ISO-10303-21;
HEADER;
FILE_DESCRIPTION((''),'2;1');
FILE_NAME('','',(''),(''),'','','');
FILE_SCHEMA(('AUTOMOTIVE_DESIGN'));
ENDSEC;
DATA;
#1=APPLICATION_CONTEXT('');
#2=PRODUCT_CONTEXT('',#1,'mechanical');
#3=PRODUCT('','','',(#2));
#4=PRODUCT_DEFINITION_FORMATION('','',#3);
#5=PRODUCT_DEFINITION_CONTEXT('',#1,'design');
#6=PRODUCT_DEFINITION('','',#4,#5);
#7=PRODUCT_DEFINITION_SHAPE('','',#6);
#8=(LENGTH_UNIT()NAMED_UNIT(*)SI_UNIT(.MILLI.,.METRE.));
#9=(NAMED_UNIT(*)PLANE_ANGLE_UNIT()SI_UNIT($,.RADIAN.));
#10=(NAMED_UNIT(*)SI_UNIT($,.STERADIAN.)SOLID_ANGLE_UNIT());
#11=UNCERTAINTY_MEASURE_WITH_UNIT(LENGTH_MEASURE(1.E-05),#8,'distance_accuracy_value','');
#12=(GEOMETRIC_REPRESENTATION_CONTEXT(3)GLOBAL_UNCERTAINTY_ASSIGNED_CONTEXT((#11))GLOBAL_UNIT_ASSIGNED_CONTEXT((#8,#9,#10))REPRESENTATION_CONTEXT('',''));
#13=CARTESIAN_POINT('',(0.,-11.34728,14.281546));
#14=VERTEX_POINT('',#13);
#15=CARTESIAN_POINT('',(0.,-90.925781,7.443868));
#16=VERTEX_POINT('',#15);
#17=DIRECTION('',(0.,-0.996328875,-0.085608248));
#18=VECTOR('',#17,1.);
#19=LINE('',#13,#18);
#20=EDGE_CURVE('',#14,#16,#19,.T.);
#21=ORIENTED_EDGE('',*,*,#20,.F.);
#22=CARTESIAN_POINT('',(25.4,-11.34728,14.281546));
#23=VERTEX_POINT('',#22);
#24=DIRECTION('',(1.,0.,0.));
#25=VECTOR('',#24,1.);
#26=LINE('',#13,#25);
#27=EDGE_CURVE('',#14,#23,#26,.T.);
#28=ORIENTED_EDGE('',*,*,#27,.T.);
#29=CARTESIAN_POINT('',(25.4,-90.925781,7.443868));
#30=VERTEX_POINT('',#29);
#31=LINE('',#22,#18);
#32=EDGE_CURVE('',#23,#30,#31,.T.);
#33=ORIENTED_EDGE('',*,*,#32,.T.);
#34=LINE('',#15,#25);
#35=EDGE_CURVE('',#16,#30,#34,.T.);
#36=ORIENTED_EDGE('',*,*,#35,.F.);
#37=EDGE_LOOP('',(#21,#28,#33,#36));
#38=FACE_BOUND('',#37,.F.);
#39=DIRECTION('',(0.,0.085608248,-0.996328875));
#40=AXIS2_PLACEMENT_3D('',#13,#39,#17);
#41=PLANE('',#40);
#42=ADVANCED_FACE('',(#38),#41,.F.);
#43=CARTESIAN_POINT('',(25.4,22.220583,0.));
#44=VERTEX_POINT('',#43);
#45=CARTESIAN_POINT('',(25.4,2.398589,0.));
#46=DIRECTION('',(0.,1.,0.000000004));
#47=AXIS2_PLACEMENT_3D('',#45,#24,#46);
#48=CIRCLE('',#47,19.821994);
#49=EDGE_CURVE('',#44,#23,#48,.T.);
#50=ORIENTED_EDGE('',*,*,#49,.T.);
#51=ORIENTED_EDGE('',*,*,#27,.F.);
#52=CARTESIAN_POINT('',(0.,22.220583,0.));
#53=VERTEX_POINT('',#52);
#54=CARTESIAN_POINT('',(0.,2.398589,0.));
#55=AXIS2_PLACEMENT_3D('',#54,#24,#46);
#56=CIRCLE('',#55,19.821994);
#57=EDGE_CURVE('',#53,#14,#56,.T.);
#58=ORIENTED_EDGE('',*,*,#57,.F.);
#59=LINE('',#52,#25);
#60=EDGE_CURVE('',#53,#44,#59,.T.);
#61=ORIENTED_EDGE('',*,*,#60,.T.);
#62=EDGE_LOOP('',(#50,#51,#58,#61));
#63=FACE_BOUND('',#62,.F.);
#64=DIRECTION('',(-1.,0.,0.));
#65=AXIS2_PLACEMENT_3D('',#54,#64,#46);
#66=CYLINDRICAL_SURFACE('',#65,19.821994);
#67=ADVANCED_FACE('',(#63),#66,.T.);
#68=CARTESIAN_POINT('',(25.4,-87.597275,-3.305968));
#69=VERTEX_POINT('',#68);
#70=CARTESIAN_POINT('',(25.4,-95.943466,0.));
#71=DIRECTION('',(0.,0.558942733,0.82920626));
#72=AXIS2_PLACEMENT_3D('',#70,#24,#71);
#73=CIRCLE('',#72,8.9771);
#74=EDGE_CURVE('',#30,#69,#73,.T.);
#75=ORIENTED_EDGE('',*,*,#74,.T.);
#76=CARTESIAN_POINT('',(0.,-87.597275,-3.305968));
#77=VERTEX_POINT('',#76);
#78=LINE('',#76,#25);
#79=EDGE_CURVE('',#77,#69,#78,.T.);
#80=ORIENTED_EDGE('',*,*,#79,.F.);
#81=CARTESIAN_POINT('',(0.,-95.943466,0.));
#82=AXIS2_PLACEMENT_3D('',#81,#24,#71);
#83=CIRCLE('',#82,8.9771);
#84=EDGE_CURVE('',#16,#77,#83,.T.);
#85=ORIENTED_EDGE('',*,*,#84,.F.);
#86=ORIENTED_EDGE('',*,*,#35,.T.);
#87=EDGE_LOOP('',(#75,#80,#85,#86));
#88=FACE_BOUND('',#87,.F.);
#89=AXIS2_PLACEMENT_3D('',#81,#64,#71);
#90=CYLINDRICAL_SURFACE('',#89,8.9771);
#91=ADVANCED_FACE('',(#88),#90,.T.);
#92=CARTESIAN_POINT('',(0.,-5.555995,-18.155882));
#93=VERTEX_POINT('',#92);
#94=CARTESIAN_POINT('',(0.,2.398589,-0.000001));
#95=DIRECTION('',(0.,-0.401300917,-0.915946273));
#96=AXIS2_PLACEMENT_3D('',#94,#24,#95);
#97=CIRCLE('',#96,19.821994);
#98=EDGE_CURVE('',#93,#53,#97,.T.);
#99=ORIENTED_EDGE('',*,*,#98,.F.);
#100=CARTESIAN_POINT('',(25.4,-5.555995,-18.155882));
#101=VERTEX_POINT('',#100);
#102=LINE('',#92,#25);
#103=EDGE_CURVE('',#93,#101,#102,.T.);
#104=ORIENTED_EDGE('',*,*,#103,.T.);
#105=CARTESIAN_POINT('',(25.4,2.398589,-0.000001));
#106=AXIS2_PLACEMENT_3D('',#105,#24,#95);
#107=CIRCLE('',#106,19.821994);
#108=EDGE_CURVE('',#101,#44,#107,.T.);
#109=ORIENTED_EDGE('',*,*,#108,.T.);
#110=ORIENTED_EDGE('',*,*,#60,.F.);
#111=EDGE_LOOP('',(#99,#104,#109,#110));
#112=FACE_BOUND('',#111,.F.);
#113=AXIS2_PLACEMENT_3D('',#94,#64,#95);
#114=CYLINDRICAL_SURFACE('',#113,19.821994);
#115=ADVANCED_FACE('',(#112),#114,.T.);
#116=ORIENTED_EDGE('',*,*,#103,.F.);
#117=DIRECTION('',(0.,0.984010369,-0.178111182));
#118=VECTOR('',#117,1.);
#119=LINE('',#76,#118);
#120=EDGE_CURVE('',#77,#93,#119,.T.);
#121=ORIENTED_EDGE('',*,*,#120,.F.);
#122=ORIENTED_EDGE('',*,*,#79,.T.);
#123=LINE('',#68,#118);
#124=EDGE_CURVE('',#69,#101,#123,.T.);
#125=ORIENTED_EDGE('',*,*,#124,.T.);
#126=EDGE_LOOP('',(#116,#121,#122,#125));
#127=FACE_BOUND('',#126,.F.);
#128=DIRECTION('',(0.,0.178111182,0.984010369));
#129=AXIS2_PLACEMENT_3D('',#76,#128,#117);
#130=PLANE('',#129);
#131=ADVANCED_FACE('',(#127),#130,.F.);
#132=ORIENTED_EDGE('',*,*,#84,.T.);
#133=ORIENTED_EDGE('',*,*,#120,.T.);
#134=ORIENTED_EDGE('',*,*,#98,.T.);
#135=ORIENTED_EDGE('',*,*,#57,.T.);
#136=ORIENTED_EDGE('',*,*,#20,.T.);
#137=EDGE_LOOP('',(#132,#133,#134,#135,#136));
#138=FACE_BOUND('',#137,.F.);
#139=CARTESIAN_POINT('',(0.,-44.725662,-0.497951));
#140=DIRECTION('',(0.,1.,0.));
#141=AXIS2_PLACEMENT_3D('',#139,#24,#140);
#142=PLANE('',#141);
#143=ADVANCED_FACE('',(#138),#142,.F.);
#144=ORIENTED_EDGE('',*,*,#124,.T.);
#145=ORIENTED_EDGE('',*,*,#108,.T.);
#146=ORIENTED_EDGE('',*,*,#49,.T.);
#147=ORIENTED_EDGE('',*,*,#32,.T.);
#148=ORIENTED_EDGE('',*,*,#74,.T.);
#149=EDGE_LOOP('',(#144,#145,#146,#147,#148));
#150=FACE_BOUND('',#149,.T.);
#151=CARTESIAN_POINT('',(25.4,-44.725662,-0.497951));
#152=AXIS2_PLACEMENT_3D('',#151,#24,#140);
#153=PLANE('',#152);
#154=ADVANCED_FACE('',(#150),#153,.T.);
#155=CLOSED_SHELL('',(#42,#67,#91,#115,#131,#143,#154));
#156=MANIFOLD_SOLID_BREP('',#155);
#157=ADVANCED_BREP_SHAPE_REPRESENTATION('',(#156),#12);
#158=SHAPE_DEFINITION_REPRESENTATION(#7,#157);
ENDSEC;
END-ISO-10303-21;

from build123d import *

# Parameters (mm, degrees)
F2_DEPTH = 25.4
F3_DEPTH = 25.4


with BuildPart() as f2:
    # F0 (on Right) → F2 (new body)
    with BuildSketch(Plane.YZ):
        with BuildLine():
            ThreePointArc((-5.555995, -18.155882), (-17.114845, -3.483872), (-11.34728, 14.281546))
            Line((-11.34728, 14.281546), (-90.925781, 7.443868))
            ThreePointArc((-90.925781, 7.443868), (-88.017793, 4.215689), (-86.966366, 0))
            ThreePointArc((-86.966366, 0), (-87.125503, -1.682815), (-87.597275, -3.305968))
            Line((-87.597275, -3.305968), (-5.555995, -18.155882))
        make_face()
        with BuildLine():
            ThreePointArc((-86.966366, 0), (-88.017793, 4.215689), (-90.925781, 7.443868))
            ThreePointArc((-90.925781, 7.443868), (-104.518898, -2.655239), (-87.597275, -3.305968))
            ThreePointArc((-87.597275, -3.305968), (-87.125503, -1.682815), (-86.966366, 0))
        make_face()
        with BuildLine():
            ThreePointArc((-5.555995, -18.155882), (13.243766, -16.591974), (22.220583, 0))
            ThreePointArc((22.220583, 0), (10.158773, 18.239819), (-11.34728, 14.281546))
            ThreePointArc((-11.34728, 14.281546), (-17.114845, -3.483872), (-5.555995, -18.155882))
        make_face()
    extrude(amount=F2_DEPTH)

    # F0 (on Right) → F3 (join)
    with BuildSketch(Plane.YZ):
        with BuildLine():
            ThreePointArc((-5.555995, -18.155882), (13.243766, -16.591974), (22.220583, 0))
            ThreePointArc((22.220583, 0), (10.158773, 18.239819), (-11.34728, 14.281546))
            ThreePointArc((-11.34728, 14.281546), (-17.114845, -3.483872), (-5.555995, -18.155882))
        make_face()
        with BuildLine():
            ThreePointArc((-5.555995, -18.155882), (-17.114845, -3.483872), (-11.34728, 14.281546))
            Line((-11.34728, 14.281546), (-90.925781, 7.443868))
            ThreePointArc((-90.925781, 7.443868), (-88.017793, 4.215689), (-86.966366, 0))
            ThreePointArc((-86.966366, 0), (-87.125503, -1.682815), (-87.597275, -3.305968))
            Line((-87.597275, -3.305968), (-5.555995, -18.155882))
        make_face()
        with BuildLine():
            ThreePointArc((-86.966366, 0), (-88.017793, 4.215689), (-90.925781, 7.443868))
            ThreePointArc((-90.925781, 7.443868), (-104.518898, -2.655239), (-87.597275, -3.305968))
            ThreePointArc((-87.597275, -3.305968), (-87.125503, -1.682815), (-86.966366, 0))
        make_face()
    extrude(amount=F3_DEPTH)


solid = f2.part
